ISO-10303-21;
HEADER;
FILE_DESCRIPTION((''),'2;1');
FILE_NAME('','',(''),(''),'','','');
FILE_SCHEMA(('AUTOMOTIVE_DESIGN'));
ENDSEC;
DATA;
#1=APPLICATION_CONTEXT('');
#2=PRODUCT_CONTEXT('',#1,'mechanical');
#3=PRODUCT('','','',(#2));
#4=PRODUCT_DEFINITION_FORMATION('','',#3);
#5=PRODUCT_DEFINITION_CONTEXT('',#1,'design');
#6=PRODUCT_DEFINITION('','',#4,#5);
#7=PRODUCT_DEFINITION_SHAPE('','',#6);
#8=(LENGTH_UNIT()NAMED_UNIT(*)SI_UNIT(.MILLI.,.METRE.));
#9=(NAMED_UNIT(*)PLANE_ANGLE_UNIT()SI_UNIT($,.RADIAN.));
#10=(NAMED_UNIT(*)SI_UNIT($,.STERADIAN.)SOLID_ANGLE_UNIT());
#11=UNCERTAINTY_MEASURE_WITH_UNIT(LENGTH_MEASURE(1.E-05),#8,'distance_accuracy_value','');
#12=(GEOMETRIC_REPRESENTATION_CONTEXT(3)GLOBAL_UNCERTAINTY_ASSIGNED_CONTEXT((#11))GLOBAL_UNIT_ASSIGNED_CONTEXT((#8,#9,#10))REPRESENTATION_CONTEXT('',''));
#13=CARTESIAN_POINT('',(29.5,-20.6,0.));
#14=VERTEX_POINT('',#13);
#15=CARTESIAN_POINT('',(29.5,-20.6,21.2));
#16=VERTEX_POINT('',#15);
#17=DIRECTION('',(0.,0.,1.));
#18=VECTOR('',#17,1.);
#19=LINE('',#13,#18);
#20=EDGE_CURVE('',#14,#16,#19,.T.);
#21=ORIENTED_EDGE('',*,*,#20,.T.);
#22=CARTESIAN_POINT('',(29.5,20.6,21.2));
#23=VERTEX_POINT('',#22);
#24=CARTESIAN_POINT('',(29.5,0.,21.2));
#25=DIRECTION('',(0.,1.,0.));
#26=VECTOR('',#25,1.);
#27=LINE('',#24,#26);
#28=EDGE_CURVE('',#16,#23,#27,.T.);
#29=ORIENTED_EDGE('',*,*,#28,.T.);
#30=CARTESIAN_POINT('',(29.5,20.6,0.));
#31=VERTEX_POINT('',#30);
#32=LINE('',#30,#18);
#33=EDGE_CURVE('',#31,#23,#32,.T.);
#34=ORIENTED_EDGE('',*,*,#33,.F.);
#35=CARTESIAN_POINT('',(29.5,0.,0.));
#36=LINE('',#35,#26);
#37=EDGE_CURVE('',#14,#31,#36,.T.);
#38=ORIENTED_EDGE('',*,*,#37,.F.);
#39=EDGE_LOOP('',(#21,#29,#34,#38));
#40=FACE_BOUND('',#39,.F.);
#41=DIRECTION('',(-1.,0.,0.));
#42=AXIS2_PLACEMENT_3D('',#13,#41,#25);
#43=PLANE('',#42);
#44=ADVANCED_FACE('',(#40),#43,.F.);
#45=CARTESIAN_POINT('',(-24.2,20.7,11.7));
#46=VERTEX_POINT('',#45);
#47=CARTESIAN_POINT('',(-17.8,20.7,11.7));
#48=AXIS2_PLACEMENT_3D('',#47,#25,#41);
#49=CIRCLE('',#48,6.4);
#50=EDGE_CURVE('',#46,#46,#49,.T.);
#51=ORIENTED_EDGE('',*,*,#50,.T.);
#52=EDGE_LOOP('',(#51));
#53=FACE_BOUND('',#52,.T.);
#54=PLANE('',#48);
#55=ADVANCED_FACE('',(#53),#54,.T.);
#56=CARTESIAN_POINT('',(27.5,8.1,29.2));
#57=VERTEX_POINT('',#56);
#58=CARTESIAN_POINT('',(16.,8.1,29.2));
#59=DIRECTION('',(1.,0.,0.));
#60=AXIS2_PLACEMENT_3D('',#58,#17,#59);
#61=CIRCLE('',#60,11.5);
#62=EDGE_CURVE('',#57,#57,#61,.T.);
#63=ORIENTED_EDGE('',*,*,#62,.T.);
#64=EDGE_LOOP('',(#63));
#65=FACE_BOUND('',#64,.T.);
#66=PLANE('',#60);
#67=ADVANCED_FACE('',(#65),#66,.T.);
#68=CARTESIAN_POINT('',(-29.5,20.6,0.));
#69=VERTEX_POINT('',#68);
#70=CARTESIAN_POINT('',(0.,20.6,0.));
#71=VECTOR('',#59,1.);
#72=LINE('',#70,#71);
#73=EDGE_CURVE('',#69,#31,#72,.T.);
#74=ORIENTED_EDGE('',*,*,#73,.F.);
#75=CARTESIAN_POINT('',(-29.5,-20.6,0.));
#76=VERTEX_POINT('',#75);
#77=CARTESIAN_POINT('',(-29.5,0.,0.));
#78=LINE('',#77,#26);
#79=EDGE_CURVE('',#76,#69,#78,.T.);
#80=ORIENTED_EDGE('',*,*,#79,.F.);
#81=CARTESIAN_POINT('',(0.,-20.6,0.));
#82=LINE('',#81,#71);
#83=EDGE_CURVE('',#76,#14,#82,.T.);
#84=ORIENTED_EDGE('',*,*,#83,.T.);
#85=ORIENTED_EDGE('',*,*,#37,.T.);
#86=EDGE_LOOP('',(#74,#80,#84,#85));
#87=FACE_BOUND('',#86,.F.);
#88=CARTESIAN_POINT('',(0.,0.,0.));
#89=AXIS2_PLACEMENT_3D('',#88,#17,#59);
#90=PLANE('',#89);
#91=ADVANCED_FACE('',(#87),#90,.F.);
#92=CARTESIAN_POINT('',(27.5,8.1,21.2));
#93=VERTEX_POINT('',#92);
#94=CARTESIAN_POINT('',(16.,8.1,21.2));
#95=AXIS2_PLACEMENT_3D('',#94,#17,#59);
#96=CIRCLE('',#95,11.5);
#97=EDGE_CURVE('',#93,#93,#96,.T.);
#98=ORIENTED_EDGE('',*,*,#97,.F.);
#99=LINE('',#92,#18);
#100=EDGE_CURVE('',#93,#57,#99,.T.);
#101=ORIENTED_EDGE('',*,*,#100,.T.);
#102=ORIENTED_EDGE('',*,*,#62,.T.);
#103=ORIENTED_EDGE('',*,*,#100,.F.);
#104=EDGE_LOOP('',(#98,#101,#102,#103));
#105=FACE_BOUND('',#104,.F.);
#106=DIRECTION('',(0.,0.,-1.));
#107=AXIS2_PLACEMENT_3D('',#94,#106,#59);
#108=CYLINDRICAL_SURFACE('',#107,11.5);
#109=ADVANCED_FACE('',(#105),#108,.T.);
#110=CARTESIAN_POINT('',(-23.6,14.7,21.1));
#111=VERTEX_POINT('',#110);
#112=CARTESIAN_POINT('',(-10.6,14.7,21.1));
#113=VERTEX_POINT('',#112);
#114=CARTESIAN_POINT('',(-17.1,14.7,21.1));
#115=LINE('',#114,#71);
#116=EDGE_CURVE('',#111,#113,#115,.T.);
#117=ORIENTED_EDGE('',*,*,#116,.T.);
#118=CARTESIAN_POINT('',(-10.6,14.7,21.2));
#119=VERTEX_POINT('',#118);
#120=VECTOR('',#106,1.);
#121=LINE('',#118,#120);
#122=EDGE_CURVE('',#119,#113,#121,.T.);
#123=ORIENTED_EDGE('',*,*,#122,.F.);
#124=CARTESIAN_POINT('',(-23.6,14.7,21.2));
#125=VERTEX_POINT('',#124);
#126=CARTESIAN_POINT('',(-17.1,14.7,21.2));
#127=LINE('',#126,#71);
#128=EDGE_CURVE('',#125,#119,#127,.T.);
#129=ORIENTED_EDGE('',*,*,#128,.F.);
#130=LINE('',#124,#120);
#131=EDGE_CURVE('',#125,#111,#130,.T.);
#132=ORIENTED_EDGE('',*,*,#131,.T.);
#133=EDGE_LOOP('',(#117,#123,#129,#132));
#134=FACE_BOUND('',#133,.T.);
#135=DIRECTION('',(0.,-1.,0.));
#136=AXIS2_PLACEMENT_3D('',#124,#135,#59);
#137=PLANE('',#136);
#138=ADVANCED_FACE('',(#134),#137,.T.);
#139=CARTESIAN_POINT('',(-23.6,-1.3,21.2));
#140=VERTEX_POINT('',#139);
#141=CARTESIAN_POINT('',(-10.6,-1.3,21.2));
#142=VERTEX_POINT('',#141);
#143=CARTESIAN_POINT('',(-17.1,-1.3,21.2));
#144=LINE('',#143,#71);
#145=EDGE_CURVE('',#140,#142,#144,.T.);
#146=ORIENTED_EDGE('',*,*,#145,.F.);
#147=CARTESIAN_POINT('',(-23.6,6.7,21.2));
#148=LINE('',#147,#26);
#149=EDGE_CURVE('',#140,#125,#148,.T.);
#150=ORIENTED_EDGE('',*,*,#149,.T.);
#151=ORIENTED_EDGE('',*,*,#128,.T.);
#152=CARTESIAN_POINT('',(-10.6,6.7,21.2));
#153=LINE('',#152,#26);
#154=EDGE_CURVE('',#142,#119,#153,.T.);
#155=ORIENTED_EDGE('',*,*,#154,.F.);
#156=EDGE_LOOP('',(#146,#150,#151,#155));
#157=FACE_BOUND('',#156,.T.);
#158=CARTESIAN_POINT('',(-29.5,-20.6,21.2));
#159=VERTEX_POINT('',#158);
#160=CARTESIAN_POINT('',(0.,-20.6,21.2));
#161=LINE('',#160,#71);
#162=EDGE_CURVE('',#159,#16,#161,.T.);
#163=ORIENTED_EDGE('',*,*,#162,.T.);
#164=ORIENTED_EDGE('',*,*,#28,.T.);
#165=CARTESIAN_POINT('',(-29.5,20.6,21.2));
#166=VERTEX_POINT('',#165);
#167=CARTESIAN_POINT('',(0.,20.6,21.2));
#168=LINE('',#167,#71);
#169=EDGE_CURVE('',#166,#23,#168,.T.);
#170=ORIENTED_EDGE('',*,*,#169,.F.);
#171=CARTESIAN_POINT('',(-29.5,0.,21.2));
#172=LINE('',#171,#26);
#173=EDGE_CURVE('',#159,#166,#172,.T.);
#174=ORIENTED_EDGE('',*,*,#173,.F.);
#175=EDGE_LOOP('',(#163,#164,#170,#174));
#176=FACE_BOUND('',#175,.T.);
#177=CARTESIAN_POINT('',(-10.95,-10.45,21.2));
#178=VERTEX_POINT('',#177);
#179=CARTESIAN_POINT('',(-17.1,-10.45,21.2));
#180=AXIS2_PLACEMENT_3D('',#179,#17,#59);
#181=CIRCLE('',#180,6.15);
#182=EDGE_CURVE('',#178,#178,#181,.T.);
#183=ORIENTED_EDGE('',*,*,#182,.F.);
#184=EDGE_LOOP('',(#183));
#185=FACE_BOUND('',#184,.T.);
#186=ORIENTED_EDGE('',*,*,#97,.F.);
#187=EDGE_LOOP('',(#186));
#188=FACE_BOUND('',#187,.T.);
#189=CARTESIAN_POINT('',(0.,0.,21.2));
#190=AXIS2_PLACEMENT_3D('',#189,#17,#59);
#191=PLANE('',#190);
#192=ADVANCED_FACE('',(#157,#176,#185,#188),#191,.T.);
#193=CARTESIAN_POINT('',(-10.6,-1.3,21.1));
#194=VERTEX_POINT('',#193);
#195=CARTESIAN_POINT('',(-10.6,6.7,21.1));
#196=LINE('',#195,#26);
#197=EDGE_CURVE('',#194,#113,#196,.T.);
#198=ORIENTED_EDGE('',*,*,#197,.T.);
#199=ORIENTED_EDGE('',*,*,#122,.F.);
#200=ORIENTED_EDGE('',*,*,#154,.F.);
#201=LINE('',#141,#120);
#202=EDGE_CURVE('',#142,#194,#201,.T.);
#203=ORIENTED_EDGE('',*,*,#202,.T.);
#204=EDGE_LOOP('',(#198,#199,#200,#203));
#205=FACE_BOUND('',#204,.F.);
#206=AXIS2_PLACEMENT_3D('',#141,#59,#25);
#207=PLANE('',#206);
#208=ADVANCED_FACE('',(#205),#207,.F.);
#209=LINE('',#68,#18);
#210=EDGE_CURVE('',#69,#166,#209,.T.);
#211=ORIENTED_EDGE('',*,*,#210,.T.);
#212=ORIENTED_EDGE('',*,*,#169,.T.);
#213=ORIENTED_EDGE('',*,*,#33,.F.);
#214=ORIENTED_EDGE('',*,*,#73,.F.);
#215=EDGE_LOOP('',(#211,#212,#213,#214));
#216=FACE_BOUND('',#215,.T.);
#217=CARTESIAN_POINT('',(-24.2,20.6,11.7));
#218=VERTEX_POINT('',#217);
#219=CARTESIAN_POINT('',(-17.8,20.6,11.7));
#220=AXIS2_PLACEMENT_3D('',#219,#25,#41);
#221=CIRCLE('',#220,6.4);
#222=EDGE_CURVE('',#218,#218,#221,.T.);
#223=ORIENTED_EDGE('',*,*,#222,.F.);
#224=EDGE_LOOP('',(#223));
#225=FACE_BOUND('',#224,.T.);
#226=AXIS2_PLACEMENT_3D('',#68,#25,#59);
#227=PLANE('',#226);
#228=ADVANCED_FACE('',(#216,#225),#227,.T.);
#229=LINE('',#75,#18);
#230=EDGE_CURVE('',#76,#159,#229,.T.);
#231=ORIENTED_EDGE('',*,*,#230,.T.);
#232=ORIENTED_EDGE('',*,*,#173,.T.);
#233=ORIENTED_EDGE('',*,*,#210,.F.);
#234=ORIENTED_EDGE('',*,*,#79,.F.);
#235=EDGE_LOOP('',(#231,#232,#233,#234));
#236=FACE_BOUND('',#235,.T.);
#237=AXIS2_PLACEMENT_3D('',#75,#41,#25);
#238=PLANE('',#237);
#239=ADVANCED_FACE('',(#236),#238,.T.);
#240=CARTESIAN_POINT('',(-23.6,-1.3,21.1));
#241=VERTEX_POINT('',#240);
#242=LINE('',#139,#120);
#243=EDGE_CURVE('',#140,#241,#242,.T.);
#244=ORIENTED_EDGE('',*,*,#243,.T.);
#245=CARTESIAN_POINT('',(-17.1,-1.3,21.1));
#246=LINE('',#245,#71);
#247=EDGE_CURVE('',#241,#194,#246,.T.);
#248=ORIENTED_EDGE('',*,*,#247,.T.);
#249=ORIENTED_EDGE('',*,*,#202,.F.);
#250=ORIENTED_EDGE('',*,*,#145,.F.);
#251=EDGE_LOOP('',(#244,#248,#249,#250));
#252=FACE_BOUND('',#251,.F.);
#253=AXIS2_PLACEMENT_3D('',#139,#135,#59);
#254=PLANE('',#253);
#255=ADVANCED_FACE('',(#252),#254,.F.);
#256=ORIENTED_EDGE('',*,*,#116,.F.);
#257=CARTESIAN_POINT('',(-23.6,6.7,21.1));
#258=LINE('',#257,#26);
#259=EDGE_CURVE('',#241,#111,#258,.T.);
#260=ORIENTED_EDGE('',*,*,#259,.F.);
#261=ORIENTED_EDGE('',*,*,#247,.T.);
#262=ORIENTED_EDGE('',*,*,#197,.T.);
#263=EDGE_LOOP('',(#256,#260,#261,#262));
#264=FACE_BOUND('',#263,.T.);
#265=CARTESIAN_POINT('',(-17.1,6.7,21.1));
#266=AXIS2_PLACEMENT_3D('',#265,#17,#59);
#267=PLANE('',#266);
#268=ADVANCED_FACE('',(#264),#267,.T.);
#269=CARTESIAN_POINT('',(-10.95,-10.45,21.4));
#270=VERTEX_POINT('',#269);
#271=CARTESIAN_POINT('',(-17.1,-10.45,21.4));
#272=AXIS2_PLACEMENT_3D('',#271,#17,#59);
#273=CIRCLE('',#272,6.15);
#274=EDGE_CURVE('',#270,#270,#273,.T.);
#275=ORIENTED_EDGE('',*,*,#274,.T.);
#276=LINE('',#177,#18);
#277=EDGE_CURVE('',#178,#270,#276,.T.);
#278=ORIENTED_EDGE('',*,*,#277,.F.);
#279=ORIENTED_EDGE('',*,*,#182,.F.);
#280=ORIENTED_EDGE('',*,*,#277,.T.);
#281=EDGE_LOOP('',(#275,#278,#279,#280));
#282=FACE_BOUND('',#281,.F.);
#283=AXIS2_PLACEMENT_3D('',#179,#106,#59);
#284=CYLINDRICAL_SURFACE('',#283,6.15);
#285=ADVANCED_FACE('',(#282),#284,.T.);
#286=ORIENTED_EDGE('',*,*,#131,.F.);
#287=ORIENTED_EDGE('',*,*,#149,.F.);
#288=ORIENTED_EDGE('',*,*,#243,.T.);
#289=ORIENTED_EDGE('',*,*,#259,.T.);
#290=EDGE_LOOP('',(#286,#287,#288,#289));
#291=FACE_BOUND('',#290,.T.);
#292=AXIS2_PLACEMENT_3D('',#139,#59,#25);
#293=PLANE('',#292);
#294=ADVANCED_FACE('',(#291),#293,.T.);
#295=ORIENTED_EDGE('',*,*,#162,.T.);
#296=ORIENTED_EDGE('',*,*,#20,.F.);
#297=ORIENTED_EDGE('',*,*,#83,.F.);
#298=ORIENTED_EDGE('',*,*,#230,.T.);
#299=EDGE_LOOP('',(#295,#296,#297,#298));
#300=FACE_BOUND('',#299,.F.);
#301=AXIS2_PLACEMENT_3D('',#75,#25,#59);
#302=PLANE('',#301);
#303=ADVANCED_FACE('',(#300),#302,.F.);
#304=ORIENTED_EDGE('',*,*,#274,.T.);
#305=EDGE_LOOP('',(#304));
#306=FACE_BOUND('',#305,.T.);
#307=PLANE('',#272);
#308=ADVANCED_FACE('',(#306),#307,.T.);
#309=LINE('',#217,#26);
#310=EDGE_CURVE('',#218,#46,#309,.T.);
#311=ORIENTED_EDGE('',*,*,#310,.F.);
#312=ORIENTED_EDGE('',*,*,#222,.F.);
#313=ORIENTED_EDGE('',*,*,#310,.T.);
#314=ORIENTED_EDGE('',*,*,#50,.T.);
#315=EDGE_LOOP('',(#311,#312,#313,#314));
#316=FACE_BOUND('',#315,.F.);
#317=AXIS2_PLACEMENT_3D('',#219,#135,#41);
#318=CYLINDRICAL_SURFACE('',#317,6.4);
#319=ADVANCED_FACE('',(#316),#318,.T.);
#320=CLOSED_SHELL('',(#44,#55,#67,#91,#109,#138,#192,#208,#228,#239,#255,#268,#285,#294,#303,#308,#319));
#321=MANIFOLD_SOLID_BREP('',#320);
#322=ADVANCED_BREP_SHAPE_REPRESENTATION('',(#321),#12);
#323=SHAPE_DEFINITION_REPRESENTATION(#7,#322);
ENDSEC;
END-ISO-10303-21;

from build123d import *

# Parameters (mm, degrees)
F0_W     = 59
F0_H     = 41.2
F1_DEPTH = 21.2
F2_R     = 11.5
F3_DEPTH = 8
F4_R     = 6.4
F5_DEPTH = 0.1
F6_W     = 13
F6_H     = 16
F7_DEPTH = 0.1
F8_R     = 6.15
F9_DEPTH = 0.2


with BuildPart() as f1:
    # F0 (on Top) → F1 (new body)
    with BuildSketch(Plane.XY):
        Rectangle(F0_W, F0_H)
    extrude(amount=F1_DEPTH)

    # F2 (on face) → F3 (join)
    with BuildSketch(Plane.XY.offset(21.2)):
        with Locations((16, 8.1)):
            Circle(F2_R)
    extrude(amount=F3_DEPTH)

    # F4 (on face) → F5 (join)
    with BuildSketch(Plane(origin=(0, 20.6, 0), x_dir=(-1, 0, 0), z_dir=(0, 1, 0))):
        with Locations((17.8, 11.7)):
            Circle(F4_R)
    extrude(amount=F5_DEPTH)

    # F6 (on face) → F7 (cut)
    with BuildSketch(Plane.XY.offset(21.2)):
        with Locations((-17.1, 6.7)):
            Rectangle(F6_W, F6_H)
    extrude(amount=-F7_DEPTH, mode=Mode.SUBTRACT)

    # F8 (on face) → F9 (join)
    with BuildSketch(Plane.XY.offset(21.2)):
        with Locations((-17.1, -10.45)):
            Circle(F8_R)
    extrude(amount=F9_DEPTH)


solid = f1.part
